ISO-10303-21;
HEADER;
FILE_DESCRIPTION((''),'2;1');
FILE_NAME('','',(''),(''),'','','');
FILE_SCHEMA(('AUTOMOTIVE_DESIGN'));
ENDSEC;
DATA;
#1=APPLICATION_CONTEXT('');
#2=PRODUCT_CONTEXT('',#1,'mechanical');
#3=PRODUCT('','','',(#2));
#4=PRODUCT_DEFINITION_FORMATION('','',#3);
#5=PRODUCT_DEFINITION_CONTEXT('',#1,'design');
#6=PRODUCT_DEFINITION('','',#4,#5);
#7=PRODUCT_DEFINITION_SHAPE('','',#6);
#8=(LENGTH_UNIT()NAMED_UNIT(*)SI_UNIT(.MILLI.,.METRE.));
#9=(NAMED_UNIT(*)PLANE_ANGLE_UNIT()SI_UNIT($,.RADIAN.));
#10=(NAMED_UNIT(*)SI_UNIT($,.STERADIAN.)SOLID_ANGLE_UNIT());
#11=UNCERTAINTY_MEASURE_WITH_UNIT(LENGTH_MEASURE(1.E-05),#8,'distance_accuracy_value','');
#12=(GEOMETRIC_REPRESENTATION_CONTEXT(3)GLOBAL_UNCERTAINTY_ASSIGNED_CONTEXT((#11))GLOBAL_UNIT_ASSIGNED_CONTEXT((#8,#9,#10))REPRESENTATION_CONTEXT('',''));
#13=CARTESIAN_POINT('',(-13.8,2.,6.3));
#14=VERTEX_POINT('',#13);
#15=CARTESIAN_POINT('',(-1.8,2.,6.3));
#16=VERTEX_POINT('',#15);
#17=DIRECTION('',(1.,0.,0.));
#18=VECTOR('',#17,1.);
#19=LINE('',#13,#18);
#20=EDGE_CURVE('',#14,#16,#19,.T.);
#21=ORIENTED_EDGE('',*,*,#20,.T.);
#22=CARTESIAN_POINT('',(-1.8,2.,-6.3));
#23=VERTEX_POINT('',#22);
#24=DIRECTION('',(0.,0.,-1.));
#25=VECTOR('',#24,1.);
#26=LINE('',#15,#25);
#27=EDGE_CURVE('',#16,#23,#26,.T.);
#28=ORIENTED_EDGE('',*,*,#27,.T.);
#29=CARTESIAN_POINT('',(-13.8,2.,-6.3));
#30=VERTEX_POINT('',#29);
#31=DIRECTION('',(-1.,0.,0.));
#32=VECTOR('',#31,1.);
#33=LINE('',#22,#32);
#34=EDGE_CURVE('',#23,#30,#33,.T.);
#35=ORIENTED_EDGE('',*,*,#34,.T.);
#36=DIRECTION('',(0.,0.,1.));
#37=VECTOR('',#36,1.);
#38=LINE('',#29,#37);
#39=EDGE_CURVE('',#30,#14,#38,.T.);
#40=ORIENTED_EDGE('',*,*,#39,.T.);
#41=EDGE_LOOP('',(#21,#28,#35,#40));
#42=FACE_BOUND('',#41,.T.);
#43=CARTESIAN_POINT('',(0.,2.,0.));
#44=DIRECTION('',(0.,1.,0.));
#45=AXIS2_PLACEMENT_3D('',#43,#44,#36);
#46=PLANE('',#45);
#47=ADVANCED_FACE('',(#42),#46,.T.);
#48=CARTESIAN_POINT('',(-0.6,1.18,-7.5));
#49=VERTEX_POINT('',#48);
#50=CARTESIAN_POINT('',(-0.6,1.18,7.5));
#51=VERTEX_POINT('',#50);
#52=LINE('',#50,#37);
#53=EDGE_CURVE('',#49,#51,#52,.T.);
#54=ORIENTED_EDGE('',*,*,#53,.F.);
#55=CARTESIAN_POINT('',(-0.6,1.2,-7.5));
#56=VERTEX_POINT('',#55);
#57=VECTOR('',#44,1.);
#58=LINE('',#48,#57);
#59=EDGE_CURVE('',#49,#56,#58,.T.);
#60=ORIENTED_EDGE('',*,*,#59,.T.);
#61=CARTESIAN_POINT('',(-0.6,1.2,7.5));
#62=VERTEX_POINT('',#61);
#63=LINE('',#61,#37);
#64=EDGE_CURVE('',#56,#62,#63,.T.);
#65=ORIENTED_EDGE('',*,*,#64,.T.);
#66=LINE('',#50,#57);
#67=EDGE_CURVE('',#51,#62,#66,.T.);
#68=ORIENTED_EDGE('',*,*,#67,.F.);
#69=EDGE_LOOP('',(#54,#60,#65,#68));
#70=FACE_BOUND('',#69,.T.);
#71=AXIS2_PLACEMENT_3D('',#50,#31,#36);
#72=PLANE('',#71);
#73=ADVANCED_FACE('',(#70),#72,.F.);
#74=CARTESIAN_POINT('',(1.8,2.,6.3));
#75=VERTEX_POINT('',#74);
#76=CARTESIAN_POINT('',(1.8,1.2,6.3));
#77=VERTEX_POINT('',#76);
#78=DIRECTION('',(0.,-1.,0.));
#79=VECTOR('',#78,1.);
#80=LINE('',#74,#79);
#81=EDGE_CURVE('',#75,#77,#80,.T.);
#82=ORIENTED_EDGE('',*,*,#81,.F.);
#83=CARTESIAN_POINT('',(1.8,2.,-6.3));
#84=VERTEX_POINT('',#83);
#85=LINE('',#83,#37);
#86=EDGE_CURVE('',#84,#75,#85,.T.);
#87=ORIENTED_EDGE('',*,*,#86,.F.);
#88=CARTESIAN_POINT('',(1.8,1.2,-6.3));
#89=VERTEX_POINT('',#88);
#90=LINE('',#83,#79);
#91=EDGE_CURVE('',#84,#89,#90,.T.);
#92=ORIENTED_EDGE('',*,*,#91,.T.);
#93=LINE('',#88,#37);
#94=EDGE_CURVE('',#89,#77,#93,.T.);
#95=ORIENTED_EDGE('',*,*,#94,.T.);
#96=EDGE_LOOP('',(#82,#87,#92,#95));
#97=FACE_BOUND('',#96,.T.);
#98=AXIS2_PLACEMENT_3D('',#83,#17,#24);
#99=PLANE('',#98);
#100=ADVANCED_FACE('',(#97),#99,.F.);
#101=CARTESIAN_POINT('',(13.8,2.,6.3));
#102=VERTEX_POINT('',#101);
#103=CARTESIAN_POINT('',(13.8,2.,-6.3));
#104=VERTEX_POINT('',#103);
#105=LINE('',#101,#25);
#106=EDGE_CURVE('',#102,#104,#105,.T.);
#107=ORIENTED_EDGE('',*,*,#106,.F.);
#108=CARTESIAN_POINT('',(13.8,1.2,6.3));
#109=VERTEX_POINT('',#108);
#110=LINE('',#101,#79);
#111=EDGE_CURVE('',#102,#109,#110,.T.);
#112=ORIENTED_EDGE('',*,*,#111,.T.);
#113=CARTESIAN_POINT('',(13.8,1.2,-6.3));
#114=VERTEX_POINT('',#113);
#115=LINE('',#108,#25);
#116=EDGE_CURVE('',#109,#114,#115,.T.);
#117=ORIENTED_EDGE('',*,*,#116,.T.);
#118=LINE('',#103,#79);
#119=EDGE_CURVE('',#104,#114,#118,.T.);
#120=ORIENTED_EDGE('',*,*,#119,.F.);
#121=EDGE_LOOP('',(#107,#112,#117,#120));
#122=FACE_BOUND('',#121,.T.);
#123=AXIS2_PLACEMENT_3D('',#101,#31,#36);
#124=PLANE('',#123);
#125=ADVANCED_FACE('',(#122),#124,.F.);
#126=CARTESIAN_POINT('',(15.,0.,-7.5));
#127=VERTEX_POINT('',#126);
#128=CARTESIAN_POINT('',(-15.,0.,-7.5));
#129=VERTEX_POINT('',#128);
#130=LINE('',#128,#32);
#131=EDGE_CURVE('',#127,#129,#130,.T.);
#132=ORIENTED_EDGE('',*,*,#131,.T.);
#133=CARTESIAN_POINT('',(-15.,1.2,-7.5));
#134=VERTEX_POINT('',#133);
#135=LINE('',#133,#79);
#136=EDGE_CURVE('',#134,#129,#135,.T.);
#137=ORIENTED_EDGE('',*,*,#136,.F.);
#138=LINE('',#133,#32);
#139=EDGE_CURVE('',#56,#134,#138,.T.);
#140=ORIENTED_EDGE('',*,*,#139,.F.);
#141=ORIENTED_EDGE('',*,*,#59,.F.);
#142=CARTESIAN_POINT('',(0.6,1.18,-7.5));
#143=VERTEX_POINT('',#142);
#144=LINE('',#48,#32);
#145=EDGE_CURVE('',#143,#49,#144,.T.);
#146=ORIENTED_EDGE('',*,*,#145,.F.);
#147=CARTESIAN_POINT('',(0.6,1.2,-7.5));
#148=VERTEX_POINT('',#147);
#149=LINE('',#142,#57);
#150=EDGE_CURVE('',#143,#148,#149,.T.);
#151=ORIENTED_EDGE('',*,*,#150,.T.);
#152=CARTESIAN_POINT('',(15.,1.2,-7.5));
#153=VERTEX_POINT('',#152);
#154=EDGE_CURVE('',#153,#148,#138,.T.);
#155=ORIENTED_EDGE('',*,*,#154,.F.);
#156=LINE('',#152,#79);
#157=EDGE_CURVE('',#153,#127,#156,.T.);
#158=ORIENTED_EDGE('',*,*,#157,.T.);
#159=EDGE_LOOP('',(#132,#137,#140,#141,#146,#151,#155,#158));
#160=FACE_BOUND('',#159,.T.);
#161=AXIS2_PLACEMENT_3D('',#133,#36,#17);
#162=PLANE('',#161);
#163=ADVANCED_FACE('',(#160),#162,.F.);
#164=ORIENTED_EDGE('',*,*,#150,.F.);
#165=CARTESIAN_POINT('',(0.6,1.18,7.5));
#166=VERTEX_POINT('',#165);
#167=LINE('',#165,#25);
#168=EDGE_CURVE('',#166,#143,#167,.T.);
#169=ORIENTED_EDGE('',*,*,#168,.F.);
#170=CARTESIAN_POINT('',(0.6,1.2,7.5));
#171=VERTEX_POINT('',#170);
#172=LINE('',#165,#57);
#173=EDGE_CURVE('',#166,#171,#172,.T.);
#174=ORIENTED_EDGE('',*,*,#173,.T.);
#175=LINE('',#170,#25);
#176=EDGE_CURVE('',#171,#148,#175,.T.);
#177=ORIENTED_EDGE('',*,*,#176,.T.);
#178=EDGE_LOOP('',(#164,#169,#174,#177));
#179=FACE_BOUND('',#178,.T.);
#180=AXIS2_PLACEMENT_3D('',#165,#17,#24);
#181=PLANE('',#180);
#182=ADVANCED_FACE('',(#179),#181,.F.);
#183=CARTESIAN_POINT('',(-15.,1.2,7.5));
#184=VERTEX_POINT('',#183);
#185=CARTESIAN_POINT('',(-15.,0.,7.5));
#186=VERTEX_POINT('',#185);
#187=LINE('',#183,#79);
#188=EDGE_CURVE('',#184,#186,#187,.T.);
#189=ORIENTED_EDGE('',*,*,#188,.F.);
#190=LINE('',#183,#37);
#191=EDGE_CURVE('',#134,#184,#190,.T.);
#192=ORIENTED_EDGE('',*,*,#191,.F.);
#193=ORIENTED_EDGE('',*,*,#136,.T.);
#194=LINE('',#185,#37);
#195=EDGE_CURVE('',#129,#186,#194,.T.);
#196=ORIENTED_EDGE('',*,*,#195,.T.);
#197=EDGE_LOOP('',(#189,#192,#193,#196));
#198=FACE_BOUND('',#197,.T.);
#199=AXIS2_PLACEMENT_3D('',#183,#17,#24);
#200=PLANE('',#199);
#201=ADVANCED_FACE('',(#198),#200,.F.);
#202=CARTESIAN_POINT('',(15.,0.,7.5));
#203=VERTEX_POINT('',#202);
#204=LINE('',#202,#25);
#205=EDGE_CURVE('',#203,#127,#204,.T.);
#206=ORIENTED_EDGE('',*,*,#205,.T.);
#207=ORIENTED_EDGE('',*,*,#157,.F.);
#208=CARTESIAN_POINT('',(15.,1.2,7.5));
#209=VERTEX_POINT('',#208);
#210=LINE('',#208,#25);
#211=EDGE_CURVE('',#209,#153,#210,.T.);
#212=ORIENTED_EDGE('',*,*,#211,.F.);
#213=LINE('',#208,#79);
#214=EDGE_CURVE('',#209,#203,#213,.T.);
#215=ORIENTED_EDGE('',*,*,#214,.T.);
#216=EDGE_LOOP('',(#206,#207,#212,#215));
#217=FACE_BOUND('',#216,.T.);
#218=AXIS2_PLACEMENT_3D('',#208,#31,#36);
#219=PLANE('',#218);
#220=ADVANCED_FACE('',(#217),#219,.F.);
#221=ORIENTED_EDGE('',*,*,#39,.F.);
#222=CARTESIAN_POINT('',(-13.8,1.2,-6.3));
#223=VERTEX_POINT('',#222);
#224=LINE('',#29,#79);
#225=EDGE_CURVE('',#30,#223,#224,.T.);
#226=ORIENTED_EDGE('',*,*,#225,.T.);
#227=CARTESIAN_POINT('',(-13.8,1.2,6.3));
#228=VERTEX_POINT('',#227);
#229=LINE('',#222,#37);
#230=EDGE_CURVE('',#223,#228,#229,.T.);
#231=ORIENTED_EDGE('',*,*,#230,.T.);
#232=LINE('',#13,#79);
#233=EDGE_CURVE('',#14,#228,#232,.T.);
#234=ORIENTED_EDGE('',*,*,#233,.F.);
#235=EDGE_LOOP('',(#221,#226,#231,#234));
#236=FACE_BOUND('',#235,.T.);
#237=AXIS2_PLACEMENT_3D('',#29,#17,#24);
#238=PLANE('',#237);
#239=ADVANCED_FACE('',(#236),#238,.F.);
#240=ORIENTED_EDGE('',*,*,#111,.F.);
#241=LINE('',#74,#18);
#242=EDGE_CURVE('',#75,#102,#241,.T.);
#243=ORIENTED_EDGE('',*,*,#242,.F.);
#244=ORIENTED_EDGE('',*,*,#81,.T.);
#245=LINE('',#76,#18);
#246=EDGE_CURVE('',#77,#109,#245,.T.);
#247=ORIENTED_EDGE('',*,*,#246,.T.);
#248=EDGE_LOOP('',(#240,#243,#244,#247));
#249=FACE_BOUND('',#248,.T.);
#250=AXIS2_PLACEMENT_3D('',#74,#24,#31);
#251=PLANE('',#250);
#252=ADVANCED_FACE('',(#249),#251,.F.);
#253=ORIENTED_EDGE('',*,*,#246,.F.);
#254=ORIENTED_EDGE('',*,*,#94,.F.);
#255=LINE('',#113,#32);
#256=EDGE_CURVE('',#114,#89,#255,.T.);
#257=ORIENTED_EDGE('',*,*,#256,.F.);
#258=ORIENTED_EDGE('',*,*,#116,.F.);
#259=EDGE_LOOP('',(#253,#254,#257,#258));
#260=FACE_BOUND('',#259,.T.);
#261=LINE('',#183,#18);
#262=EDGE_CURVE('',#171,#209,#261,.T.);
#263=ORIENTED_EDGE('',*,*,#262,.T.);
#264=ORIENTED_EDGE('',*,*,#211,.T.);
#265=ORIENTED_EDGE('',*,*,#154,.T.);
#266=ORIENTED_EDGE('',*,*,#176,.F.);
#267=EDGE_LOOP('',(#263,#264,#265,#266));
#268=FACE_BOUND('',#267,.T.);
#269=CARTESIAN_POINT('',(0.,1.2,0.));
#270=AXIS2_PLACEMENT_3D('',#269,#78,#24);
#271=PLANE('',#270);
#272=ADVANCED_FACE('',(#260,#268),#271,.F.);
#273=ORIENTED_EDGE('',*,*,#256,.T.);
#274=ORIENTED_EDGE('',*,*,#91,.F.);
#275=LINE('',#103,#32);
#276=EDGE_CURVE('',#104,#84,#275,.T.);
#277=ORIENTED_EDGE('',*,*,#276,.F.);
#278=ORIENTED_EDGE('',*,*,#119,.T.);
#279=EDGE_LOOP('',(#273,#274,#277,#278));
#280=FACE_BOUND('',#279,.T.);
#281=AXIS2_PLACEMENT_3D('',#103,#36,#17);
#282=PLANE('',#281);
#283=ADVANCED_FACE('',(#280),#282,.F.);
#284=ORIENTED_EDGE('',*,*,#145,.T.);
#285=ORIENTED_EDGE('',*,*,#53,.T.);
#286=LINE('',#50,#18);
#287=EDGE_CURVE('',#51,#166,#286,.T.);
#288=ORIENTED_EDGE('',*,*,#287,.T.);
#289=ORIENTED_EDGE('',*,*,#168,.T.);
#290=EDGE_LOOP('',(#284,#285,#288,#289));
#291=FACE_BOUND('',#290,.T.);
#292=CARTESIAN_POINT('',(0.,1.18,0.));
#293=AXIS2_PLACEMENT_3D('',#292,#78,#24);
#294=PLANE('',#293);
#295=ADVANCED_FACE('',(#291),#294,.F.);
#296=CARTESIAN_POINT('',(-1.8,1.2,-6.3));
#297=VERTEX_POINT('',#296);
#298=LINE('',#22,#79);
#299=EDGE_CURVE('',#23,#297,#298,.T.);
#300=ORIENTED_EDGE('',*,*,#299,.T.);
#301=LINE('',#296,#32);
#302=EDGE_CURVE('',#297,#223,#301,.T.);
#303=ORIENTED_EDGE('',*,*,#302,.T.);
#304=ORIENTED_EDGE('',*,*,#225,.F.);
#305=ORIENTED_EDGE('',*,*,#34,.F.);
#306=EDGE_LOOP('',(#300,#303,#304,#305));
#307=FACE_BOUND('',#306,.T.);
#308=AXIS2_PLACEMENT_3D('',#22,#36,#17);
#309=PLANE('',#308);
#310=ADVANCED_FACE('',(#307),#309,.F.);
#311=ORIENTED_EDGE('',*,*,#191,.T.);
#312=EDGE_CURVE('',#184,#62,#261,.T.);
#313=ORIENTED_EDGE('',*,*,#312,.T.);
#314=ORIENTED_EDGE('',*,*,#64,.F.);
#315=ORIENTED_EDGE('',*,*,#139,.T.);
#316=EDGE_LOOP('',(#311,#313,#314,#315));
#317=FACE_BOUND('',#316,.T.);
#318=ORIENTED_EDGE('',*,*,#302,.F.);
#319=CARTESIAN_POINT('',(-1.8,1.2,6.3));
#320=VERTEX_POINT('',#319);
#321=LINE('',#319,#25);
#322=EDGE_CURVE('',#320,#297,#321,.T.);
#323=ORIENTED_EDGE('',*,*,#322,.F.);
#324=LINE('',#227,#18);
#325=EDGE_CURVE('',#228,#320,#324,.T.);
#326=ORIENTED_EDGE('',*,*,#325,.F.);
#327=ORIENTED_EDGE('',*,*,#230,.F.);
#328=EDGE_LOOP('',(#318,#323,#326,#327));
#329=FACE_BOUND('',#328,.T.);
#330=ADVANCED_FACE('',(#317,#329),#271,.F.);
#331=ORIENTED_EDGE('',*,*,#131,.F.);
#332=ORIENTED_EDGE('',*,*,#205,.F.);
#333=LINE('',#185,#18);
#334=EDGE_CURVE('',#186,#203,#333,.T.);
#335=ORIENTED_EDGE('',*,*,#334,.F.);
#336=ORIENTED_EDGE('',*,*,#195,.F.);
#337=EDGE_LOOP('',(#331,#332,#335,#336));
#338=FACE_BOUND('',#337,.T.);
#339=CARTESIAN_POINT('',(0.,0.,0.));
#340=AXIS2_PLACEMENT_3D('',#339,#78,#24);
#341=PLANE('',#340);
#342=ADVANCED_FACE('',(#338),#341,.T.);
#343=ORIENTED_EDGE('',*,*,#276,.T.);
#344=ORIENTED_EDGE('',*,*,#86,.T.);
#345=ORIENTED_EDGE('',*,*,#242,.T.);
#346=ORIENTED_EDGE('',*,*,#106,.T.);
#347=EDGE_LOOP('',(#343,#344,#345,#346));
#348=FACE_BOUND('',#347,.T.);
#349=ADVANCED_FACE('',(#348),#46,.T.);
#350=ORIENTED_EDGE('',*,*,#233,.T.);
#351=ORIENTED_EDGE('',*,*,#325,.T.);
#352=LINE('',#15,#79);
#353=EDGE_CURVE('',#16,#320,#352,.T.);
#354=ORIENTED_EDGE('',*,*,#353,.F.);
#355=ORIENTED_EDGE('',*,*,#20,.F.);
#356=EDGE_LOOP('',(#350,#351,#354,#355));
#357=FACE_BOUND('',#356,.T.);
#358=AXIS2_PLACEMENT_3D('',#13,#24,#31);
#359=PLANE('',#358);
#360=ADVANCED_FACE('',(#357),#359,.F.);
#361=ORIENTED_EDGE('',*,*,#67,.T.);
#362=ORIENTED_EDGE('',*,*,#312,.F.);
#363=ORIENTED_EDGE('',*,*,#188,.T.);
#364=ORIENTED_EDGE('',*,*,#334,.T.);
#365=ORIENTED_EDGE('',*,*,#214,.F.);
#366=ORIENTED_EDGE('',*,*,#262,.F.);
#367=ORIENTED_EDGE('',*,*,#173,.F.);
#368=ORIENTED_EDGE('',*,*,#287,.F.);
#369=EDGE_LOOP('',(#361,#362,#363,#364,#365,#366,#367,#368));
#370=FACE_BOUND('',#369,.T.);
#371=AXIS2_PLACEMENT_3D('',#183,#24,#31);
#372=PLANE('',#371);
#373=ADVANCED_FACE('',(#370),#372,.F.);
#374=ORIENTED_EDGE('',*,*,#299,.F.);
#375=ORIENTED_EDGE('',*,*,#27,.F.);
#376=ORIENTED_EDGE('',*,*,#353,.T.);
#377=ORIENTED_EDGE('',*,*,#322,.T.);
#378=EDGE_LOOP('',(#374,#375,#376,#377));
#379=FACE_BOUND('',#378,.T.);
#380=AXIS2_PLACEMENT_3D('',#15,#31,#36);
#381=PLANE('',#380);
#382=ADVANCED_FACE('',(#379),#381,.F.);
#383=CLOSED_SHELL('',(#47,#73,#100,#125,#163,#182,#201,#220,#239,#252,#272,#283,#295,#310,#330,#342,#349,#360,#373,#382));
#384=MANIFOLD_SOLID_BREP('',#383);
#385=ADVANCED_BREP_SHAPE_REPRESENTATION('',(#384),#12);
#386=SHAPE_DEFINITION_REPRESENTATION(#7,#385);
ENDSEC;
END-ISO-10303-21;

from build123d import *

# Parameters (mm, degrees)
SKETCH1_W           = 30
SKETCH1_H           = 15
BOSS_EXTRUDE1_DEPTH = 1.2
SKETCH2_W           = 1.2
SKETCH2_H           = 15
CUT_EXTRUDE1_DEPTH  = 0.02
SKETCH3_W           = 12
SKETCH3_H           = 12.6
BOSS_EXTRUDE2_DEPTH = 0.8
SKETCH4_W           = 12
SKETCH4_H           = 12.6
BOSS_EXTRUDE3_DEPTH = 0.8


with BuildPart() as part:
    # Sketch1 → Boss-Extrude1 (new body)
    with BuildSketch(Plane(origin=(0, 0, 0), x_dir=(1, 0, 0), z_dir=(0, 1, 0))):
        Rectangle(SKETCH1_W, SKETCH1_H)
    extrude(amount=BOSS_EXTRUDE1_DEPTH)

    # Sketch2 → Cut-Extrude1 (cut)
    with BuildSketch(Plane(origin=(0, 1.2, 0), x_dir=(1, 0, 0), z_dir=(0, 1, 0))):
        Rectangle(SKETCH2_W, SKETCH2_H)
    extrude(amount=-CUT_EXTRUDE1_DEPTH, mode=Mode.SUBTRACT)

    # Sketch3 → Boss-Extrude2 (add)
    with BuildSketch(Plane(origin=(0, 1.2, 0), x_dir=(1, 0, 0), z_dir=(0, 1, 0))):
        with Locations((-7.8, 0)):
            Rectangle(SKETCH3_W, SKETCH3_H)
    extrude(amount=BOSS_EXTRUDE2_DEPTH)

    # Sketch4 → Boss-Extrude3 (add)
    with BuildSketch(Plane(origin=(0, 1.2, 0), x_dir=(1, 0, 0), z_dir=(0, 1, 0))):
        with Locations((7.8, 0)):
            Rectangle(SKETCH4_W, SKETCH4_H)
    extrude(amount=BOSS_EXTRUDE3_DEPTH)


solid = part.part
